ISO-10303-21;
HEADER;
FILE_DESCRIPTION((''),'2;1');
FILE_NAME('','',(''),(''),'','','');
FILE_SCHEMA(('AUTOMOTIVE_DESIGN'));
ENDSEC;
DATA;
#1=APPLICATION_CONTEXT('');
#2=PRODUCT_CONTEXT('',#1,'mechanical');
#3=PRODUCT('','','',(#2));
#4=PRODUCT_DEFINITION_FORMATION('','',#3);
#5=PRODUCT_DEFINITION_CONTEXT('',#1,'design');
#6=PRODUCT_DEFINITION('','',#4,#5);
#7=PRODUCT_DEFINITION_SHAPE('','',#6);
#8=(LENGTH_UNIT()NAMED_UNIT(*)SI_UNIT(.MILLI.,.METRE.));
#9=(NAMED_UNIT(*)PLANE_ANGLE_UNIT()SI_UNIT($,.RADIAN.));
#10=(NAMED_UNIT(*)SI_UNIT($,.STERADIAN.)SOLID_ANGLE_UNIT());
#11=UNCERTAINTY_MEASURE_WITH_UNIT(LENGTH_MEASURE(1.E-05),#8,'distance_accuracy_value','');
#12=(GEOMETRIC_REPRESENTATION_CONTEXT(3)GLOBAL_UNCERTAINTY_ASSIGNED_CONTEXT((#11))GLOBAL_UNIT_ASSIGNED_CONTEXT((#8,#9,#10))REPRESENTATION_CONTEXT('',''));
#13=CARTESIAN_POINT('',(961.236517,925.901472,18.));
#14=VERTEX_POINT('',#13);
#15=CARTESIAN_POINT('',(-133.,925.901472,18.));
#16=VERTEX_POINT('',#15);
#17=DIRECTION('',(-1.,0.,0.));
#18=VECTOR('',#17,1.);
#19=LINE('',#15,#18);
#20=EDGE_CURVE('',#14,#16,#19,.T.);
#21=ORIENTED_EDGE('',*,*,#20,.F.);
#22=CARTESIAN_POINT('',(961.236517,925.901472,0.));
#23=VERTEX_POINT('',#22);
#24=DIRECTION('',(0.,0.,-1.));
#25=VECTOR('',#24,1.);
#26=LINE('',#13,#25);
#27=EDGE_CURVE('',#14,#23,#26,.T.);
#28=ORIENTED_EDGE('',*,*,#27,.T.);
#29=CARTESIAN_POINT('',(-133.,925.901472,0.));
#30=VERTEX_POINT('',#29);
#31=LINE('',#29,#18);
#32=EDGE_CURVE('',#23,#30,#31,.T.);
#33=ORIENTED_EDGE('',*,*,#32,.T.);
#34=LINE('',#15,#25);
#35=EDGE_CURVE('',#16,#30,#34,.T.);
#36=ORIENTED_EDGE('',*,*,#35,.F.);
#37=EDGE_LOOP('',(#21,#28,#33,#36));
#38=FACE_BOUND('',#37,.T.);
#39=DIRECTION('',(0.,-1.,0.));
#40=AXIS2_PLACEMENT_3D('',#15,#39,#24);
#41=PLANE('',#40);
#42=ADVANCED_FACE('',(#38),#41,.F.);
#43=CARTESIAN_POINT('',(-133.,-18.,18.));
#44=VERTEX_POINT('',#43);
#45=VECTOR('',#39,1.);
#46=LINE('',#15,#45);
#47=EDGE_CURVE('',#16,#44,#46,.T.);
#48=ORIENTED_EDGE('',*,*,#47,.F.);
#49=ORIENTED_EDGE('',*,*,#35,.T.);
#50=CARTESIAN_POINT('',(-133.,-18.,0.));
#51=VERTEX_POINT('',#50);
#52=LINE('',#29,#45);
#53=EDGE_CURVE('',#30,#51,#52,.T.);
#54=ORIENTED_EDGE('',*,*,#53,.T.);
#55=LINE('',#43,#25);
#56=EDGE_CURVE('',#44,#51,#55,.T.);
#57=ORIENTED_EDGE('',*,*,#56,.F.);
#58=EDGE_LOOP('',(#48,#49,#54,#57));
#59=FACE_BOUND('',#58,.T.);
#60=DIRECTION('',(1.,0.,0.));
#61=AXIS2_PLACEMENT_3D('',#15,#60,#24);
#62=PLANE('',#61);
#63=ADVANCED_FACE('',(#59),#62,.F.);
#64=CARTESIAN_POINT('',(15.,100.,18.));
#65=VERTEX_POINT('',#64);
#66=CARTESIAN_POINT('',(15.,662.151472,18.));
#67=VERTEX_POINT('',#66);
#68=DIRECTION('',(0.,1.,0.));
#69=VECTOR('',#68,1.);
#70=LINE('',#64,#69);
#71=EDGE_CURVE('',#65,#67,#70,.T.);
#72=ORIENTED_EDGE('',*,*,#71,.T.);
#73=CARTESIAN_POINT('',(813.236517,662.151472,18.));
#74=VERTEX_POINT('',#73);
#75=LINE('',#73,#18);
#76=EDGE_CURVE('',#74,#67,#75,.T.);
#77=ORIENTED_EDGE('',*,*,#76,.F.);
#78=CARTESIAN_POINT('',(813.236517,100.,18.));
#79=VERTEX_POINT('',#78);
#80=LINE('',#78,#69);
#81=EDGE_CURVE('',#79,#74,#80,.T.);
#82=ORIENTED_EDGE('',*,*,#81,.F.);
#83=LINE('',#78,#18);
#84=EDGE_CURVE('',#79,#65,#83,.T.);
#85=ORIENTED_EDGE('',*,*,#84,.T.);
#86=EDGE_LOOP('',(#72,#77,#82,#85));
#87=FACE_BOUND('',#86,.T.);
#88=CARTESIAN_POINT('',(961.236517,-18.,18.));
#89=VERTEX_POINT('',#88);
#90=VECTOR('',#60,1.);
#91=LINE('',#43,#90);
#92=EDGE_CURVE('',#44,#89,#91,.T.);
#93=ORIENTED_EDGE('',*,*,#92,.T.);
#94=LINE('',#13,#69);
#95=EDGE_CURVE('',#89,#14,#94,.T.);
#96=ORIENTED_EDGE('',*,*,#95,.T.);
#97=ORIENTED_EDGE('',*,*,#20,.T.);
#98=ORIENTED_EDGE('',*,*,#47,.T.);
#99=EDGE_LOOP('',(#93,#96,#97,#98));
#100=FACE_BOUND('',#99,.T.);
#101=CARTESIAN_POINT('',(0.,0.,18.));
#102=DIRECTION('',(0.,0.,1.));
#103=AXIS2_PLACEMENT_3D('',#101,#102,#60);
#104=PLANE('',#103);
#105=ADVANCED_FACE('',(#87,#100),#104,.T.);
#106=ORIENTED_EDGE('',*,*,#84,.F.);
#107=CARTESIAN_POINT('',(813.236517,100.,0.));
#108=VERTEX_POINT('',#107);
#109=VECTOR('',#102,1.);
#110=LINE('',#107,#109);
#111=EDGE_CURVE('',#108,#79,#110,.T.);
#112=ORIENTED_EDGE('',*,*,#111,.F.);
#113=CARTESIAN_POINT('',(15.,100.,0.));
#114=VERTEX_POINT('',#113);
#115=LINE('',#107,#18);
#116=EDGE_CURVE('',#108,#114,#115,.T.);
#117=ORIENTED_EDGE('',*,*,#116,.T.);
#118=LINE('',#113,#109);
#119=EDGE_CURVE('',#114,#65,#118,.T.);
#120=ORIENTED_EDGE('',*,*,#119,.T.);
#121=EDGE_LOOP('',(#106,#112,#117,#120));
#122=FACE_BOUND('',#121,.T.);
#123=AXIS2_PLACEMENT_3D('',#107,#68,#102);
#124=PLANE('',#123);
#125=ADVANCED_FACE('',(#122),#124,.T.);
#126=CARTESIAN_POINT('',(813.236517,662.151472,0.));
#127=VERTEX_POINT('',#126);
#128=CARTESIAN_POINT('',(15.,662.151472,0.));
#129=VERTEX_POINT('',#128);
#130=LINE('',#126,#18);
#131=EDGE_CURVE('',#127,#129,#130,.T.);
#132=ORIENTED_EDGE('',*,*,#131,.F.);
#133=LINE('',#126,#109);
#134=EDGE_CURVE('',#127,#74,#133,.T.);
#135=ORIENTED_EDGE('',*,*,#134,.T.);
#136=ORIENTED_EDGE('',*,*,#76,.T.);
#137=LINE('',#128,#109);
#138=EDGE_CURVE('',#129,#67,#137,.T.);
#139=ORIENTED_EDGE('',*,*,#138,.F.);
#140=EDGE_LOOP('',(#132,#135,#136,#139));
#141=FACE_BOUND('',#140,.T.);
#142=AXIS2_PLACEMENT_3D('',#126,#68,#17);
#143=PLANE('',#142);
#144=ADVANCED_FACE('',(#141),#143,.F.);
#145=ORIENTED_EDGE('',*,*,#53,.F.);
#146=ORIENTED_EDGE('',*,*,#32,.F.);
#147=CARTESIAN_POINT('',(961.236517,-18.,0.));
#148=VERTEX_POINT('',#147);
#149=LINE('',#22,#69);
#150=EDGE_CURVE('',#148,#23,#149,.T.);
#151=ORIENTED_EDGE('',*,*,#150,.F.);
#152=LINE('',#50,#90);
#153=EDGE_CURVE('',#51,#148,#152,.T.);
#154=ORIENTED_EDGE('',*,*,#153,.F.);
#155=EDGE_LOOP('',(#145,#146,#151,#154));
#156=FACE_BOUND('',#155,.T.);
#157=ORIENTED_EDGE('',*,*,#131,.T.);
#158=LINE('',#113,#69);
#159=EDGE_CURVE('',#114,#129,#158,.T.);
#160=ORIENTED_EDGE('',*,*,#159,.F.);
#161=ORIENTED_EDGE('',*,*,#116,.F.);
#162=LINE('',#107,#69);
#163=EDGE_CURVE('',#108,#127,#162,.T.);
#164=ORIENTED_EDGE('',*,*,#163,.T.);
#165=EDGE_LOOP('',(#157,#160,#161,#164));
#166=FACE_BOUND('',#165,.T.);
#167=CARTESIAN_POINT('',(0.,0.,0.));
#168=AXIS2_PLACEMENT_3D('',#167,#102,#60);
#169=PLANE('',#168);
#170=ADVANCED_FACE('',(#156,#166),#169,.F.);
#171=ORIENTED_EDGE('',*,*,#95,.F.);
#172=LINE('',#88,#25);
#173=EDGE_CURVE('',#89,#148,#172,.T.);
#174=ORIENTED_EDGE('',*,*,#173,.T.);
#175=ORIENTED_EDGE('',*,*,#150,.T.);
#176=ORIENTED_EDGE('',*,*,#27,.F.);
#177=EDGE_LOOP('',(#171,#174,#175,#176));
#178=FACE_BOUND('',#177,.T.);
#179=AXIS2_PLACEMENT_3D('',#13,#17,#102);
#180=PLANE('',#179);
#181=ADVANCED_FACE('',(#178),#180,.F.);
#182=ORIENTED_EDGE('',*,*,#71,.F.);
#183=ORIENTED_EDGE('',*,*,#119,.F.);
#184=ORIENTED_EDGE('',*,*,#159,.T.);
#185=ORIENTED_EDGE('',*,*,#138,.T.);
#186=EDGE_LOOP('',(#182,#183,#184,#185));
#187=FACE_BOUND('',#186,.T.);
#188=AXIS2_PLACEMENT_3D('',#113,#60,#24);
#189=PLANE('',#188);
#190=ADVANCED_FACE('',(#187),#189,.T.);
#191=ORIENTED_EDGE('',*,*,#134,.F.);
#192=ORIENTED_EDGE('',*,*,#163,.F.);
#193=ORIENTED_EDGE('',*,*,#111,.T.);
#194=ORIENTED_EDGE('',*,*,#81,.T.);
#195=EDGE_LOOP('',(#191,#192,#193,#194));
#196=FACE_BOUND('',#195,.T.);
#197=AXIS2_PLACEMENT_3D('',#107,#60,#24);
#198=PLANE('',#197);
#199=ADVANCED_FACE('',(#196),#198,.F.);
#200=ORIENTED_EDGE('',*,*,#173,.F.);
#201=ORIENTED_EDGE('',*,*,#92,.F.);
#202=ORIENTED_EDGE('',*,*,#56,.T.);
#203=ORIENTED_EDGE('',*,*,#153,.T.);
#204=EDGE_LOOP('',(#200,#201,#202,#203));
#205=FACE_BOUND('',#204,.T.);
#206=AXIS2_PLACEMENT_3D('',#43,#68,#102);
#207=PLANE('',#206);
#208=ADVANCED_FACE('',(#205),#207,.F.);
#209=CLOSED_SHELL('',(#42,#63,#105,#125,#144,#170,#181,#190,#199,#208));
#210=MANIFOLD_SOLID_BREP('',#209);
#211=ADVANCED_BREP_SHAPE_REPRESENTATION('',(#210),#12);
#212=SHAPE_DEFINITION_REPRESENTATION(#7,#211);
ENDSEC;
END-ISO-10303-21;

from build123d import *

# Parameters (mm, degrees)
SKETCH1_W           = 1094.236516538
SKETCH1_H           = 943.901471863
BOSS_EXTRUDE1_DEPTH = 18
SKETCH2_W           = 798.236516538
SKETCH2_H           = 562.151471863
CUT_EXTRUDE1_DEPTH  = 18


with BuildPart() as part:
    # Sketch1 → Boss-Extrude1 (new body)
    with BuildSketch(Plane.XY):
        with Locations((414.118258269, 453.950735932)):
            Rectangle(SKETCH1_W, SKETCH1_H)
    extrude(amount=BOSS_EXTRUDE1_DEPTH)

    # Sketch2 → Cut-Extrude1 (cut)
    with BuildSketch(Plane.XY.offset(18)):
        with Locations((414.118258269, 381.075735932)):
            Rectangle(SKETCH2_W, SKETCH2_H)
    extrude(amount=-CUT_EXTRUDE1_DEPTH, mode=Mode.SUBTRACT)


solid = part.part
